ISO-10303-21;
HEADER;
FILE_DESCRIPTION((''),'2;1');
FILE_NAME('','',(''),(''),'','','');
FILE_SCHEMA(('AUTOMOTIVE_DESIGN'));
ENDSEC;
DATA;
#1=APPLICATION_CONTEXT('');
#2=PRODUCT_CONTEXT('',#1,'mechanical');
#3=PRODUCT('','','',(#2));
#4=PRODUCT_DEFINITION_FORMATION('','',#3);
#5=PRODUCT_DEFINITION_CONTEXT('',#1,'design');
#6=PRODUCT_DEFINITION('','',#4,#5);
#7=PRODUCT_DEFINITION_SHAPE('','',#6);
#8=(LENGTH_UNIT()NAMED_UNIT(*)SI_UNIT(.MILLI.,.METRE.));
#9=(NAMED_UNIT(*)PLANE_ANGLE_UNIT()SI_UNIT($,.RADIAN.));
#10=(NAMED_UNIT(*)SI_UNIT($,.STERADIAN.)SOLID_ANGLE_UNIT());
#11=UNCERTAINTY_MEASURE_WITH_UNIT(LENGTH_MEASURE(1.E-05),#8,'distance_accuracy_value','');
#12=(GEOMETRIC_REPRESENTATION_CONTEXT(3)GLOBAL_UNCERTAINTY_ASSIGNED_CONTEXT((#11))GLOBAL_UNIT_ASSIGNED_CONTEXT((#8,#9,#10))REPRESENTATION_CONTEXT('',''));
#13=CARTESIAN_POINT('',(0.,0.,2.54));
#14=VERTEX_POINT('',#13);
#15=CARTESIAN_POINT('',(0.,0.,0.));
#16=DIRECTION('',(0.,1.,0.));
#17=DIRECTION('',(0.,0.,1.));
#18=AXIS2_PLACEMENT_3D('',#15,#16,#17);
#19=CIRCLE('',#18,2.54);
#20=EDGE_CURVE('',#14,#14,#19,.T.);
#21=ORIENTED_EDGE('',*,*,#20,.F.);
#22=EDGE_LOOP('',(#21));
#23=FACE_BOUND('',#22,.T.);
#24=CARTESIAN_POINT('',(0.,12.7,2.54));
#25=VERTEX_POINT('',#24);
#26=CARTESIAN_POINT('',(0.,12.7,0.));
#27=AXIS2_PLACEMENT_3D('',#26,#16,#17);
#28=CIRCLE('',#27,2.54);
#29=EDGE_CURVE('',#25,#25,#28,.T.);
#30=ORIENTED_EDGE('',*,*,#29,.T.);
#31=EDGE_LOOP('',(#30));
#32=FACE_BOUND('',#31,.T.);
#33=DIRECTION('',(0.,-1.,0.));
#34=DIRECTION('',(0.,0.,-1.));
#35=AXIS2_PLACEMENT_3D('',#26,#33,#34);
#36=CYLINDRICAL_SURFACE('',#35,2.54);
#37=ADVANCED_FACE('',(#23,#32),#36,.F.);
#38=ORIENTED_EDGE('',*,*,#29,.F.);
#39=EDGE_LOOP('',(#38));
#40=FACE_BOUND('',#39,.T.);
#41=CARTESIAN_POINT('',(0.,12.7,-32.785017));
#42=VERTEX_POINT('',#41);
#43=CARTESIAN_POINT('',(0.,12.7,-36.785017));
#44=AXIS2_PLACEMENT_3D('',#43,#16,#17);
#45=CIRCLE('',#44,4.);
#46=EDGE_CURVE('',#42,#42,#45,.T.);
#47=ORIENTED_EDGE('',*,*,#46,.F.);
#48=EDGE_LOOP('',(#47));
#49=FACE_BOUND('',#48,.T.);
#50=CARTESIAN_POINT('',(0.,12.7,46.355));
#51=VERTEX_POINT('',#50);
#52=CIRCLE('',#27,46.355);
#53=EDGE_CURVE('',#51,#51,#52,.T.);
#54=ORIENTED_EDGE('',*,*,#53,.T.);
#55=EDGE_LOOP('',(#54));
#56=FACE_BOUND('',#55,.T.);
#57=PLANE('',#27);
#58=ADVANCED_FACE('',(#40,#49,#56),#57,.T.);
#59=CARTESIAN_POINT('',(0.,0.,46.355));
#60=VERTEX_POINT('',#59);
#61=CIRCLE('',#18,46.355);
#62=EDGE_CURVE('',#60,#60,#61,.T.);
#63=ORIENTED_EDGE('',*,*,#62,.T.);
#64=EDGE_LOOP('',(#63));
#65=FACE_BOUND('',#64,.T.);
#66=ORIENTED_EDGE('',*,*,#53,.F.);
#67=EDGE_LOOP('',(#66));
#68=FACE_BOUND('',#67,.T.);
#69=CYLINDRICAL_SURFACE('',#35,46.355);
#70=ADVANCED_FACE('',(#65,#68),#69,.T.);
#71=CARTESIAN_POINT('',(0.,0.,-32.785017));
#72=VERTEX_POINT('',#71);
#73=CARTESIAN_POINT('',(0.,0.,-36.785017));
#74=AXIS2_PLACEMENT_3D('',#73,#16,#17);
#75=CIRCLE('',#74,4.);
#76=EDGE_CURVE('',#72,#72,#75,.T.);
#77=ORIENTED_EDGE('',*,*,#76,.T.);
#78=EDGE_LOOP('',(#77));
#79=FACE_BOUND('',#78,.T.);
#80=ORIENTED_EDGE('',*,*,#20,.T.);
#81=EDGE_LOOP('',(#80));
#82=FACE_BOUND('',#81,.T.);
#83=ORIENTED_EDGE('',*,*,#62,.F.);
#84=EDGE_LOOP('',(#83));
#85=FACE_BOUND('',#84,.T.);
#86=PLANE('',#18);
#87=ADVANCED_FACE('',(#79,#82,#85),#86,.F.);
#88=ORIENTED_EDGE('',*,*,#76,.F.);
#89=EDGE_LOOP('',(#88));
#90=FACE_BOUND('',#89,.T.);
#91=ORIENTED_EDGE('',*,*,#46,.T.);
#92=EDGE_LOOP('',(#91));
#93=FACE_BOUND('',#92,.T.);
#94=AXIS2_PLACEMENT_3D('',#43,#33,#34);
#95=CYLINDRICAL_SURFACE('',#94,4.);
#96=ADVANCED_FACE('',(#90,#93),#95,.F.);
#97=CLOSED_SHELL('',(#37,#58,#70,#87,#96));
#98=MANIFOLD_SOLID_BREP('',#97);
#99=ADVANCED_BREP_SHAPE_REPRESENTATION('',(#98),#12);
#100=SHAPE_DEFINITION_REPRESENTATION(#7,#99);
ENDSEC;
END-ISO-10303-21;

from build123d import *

# Parameters (mm, degrees)
SKETCH1_R           = 46.355
SKETCH1_R_2         = 2.54
SKETCH1_R_3         = 4
BOSS_EXTRUDE1_DEPTH = 12.7


with BuildPart() as part:
    # Sketch1 → Boss-Extrude1 (new body)
    with BuildSketch(Plane(origin=(0, 0, 0), x_dir=(1, 0, 0), z_dir=(0, 1, 0))):
        with Locations(Location((0, 0, 0), (0, 0, 270))):
            Circle(SKETCH1_R)
        with Locations(Location((0, 0, 0), (0, 0, 270))):
            Circle(SKETCH1_R_2, mode=Mode.SUBTRACT)
        with Locations(Location((0, 36.785016562, 0), (0, 0, 270))):
            Circle(SKETCH1_R_3, mode=Mode.SUBTRACT)
    extrude(amount=BOSS_EXTRUDE1_DEPTH)


solid = part.part
